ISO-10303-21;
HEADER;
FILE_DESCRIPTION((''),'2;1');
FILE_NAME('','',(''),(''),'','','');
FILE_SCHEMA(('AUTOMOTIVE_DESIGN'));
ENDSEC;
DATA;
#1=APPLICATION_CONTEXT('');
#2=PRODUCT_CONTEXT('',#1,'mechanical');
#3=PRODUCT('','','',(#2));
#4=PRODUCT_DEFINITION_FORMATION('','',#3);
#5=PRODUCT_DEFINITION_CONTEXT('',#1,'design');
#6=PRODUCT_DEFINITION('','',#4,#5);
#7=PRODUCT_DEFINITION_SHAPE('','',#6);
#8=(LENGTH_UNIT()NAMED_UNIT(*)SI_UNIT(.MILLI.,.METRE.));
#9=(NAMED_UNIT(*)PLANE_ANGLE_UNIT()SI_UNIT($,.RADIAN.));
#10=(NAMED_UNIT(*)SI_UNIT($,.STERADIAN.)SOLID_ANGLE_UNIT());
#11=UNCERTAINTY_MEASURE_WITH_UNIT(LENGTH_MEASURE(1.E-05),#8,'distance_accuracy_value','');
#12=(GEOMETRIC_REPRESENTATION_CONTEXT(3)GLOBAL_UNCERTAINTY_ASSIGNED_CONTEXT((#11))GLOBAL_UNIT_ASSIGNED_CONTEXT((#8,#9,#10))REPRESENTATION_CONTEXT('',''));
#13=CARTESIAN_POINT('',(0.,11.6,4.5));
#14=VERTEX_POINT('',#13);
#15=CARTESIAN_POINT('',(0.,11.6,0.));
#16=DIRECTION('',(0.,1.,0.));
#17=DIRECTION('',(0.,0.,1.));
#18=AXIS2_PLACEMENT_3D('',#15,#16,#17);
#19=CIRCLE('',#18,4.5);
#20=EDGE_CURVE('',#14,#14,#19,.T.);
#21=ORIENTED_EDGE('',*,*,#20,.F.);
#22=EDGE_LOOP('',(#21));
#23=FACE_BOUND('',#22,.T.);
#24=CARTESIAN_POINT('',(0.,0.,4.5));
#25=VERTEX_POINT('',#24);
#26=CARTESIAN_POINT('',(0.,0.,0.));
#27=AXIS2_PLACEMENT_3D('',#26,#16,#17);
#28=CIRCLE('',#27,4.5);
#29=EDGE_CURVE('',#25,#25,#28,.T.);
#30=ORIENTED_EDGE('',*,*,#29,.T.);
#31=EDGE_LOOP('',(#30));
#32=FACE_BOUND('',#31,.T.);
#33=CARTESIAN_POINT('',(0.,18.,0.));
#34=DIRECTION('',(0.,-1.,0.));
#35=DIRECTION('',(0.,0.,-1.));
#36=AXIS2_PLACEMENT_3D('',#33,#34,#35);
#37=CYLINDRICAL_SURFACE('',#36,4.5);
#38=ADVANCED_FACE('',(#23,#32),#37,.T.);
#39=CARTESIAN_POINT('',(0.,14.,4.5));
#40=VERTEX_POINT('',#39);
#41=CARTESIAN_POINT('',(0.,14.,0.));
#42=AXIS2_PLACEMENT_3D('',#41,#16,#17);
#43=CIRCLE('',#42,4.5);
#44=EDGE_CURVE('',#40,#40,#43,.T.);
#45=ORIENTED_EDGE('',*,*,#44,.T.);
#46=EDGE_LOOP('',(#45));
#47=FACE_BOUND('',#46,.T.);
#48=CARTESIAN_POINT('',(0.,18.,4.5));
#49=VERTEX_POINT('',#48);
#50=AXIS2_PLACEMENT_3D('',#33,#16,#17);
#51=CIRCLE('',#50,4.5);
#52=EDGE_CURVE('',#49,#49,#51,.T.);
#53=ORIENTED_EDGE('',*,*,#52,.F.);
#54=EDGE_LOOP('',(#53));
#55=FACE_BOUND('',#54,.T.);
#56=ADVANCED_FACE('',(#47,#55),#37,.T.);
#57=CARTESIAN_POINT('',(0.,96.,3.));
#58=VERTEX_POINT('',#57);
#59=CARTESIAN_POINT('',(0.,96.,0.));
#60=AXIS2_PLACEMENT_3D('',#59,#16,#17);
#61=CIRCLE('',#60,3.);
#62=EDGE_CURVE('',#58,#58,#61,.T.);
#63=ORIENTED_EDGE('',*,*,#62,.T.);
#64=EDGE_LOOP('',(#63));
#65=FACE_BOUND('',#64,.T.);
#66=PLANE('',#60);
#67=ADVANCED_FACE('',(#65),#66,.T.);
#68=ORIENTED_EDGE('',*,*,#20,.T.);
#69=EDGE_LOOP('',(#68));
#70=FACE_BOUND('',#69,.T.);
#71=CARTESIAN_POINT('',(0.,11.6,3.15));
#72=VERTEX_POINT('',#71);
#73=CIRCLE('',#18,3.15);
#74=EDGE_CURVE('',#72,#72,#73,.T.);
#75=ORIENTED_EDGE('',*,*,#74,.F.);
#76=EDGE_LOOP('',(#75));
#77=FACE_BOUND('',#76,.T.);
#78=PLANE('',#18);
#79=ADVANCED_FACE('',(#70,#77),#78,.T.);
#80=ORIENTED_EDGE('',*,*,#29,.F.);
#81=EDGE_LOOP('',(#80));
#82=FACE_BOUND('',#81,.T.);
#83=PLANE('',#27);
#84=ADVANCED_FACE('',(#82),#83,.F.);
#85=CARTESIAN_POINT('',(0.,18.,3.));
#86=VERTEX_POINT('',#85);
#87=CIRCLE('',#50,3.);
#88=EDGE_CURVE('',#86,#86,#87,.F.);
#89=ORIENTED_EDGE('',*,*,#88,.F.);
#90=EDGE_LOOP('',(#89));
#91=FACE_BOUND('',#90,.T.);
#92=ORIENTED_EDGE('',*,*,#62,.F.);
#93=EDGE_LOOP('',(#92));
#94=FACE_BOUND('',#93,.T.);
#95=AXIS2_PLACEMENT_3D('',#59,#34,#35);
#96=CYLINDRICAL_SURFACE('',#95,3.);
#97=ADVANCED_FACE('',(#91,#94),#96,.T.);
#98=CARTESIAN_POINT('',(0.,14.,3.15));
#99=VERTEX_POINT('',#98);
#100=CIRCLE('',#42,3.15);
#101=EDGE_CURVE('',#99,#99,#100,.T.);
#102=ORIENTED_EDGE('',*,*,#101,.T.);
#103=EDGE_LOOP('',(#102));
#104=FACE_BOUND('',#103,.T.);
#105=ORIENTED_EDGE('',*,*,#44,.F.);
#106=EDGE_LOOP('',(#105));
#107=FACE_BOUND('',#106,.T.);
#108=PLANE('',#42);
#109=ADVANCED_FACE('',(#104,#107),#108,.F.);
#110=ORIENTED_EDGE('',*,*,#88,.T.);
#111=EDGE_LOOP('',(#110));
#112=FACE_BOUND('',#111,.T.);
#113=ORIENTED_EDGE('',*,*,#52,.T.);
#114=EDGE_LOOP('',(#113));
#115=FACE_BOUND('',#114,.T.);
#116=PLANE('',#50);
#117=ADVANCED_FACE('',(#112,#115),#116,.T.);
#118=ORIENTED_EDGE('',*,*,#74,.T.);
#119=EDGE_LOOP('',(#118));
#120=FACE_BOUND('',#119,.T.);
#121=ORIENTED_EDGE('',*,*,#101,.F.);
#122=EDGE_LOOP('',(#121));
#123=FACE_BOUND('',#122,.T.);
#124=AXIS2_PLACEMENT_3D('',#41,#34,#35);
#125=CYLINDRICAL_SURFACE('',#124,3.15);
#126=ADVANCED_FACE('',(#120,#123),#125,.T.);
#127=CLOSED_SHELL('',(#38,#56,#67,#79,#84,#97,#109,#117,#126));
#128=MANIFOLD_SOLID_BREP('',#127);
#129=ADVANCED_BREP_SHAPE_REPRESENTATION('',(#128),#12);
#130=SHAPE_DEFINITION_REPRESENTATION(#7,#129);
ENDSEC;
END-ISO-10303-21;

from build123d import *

# Parameters (mm, degrees)
SKETCH_1_R          = 4.5
EXTRUDE_1_DEPTH     = 18
SKETCH_2_R          = 3
EXTRUDE_2_DEPTH     = 96
CUT_EXTRUDE_START   = 11.6
SKETCH_3_OUTSIDE_W  = 30.368
SKETCH_3_OUTSIDE_H  = 30.368
SKETCH_3_OUTSIDE_R  = 3.15
CUT_EXTRUDE_1_DEPTH = 2.4


with BuildPart() as part:
    # 草图1 → 凸台-拉伸1 (new body)
    with BuildSketch(Plane(origin=(0, 0, 0), x_dir=(1, 0, 0), z_dir=(0, 1, 0))):
        with Locations(Location((0, 0, 0), (0, 0, 270))):
            Circle(SKETCH_1_R)
    extrude(amount=EXTRUDE_1_DEPTH)

    # 草图2 → 凸台-拉伸2 (add)
    with BuildSketch(Plane(origin=(0, 0, 0), x_dir=(1, 0, 0), z_dir=(0, 1, 0))):
        with Locations(Location((0, 0, 0), (0, 0, 270))):
            Circle(SKETCH_2_R)
    extrude(amount=EXTRUDE_2_DEPTH)

    # 草图3 outside → 切除-拉伸1 (cut)
    with BuildSketch(Plane(origin=(0, 0, 0), x_dir=(1, 0, 0), z_dir=(0, 1, 0)).offset(CUT_EXTRUDE_START)):
        Rectangle(SKETCH_3_OUTSIDE_W, SKETCH_3_OUTSIDE_H)
        with Locations(Location((0, 0, 0), (0, 0, 270))):
            Circle(SKETCH_3_OUTSIDE_R, mode=Mode.SUBTRACT)
    extrude(amount=CUT_EXTRUDE_1_DEPTH, mode=Mode.SUBTRACT)


solid = part.part
